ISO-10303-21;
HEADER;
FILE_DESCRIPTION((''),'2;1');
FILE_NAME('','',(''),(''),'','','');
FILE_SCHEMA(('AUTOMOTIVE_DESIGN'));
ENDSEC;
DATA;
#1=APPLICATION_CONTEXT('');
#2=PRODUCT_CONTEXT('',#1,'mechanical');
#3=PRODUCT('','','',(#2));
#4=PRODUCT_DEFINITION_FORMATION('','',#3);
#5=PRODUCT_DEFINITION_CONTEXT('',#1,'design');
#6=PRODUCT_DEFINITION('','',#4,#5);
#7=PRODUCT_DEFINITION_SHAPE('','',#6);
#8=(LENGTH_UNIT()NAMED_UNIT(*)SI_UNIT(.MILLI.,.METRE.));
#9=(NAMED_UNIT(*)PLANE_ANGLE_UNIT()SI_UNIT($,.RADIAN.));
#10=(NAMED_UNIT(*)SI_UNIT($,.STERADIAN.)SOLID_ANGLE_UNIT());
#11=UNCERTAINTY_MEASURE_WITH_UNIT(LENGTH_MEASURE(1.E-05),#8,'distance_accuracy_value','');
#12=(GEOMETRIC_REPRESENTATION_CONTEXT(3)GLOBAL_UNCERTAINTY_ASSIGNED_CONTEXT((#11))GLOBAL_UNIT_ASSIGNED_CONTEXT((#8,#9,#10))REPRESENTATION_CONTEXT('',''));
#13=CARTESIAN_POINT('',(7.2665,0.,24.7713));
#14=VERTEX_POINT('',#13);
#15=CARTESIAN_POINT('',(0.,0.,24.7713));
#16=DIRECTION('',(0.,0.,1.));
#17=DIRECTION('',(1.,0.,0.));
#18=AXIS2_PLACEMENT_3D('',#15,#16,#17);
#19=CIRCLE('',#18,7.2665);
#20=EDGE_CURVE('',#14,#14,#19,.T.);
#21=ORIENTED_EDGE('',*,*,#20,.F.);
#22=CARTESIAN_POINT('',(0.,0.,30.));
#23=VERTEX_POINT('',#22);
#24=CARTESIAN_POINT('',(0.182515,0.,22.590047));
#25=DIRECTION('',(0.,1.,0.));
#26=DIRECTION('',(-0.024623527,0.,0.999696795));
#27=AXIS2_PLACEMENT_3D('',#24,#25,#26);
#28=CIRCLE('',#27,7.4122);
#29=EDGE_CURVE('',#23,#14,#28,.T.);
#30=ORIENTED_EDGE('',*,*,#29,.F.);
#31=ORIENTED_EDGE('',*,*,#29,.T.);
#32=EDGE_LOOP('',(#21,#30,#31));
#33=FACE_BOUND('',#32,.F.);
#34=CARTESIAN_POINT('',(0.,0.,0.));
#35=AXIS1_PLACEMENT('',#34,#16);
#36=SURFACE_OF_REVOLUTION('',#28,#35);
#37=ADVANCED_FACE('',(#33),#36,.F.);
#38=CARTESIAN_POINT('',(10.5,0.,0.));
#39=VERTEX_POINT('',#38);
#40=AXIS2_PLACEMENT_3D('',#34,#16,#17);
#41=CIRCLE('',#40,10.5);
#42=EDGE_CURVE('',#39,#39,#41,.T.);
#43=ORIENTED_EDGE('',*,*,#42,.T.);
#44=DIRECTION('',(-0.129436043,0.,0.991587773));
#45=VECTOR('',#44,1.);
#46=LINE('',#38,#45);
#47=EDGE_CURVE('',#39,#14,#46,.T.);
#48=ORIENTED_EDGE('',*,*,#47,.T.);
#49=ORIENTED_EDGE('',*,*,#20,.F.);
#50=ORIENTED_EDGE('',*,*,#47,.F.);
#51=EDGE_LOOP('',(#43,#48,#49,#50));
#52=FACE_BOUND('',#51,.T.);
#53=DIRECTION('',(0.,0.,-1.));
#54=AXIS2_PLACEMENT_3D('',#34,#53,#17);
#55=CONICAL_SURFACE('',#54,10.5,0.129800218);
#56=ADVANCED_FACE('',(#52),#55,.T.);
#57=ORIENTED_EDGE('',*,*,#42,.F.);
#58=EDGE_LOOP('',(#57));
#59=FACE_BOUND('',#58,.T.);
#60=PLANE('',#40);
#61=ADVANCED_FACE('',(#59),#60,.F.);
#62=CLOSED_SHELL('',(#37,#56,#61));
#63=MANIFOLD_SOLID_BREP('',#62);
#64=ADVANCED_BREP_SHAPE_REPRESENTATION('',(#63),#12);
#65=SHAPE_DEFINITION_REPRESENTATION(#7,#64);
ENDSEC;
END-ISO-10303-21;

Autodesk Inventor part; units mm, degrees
ref_plane "YZ Plane" through (0, 0, 0) normal (1, 0, 0) x (0, 1, 0)
ref_plane "XZ Plane" through (0, 0, 0) normal (0, 1, 0) x (-1, 0, 0)
ref_plane "XY Plane" through (0, 0, 0) normal (0, 0, 1) x (1, 0, 0)
sketch "Sketch3" plane through (0, 0, 0) normal (0, 1, 0) x (-1, 0, 0)
  line L0 (0, 0) -> (-10.5, 0)
  line L1 (0, 0) -> (0, 30)
  line L2 (-10.5, 0) -> (-7.2665, 24.7713)
  arc A0 (0, 30) -> (-7.2665, 24.7713) centre (-0.1825, 22.59) ccw
  dimension "d0" = 10.5
  dimension "d1" = 30
revolve "Revolution1" add sketch "Sketch3" angle 360 about axis through (0, 0, 0) along (0, 0, 1)
properties part number "pawn2"
